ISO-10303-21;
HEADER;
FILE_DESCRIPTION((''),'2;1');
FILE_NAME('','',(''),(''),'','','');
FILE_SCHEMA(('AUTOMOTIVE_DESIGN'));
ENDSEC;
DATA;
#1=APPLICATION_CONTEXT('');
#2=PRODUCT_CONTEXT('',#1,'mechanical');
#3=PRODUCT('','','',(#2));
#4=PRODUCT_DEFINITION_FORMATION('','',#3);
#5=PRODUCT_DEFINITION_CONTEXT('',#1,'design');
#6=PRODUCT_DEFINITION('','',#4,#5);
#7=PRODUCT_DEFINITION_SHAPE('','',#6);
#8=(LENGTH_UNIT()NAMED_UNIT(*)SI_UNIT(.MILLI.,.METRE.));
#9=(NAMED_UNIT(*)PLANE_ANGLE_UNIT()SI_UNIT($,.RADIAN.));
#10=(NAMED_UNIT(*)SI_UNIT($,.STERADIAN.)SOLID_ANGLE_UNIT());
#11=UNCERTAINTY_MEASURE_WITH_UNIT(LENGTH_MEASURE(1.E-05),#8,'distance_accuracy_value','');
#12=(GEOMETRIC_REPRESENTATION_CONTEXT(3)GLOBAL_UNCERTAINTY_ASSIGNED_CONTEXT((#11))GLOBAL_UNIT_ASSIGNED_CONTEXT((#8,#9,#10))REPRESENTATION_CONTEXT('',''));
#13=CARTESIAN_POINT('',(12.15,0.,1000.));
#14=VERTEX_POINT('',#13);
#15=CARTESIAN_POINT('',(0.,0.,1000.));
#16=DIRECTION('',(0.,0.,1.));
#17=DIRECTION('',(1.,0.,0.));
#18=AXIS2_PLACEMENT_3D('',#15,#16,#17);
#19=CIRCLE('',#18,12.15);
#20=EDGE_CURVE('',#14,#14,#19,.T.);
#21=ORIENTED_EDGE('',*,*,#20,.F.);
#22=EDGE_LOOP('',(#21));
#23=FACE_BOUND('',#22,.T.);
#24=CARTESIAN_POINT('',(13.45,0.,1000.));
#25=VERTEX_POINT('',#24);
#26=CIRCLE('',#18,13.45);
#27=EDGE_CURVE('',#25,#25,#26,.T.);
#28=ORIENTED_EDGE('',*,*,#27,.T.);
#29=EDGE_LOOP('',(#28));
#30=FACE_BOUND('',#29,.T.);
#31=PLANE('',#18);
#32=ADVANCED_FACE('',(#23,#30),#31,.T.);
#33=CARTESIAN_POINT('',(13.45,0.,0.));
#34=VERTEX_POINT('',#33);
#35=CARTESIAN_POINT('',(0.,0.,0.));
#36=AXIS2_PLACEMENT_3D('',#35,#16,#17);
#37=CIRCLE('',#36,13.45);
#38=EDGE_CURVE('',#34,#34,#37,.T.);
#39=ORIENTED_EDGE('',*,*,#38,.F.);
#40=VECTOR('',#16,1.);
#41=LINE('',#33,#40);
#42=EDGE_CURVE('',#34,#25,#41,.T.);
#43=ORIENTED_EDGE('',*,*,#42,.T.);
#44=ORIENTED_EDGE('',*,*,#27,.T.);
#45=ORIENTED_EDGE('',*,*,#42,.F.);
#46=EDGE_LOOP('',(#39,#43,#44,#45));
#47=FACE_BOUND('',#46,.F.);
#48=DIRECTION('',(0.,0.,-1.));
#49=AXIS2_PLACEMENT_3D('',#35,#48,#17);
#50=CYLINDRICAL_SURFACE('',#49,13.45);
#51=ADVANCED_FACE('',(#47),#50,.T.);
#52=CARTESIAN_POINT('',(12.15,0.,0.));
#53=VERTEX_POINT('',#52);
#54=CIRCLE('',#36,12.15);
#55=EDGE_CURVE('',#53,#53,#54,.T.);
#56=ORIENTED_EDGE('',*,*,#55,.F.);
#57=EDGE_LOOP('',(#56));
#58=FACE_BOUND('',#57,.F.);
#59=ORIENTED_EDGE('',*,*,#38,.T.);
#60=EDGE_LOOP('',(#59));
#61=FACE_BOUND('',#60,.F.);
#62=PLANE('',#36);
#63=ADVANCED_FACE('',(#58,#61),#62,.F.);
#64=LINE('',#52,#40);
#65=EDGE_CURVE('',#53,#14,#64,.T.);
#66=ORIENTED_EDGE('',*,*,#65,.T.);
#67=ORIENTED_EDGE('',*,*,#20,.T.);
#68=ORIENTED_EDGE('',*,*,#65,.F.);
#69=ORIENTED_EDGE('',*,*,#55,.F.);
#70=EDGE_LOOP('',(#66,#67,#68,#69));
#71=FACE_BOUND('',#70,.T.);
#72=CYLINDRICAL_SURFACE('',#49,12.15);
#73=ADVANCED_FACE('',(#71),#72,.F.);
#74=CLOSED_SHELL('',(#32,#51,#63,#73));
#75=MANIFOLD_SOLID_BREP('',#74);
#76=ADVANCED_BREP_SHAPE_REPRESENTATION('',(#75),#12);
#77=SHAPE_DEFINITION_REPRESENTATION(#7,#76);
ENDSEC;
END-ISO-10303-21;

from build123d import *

# Parameters (mm, degrees)
SKETCH_R   = 13.45
SKETCH_R_2 = 12.15
PAD_DEPTH  = 1000


with BuildPart() as part:
    # Sketch → Pad (new body)
    with BuildSketch(Plane.XY):
        Circle(SKETCH_R)
        Circle(SKETCH_R_2, mode=Mode.SUBTRACT)
    extrude(amount=PAD_DEPTH)


solid = part.part
